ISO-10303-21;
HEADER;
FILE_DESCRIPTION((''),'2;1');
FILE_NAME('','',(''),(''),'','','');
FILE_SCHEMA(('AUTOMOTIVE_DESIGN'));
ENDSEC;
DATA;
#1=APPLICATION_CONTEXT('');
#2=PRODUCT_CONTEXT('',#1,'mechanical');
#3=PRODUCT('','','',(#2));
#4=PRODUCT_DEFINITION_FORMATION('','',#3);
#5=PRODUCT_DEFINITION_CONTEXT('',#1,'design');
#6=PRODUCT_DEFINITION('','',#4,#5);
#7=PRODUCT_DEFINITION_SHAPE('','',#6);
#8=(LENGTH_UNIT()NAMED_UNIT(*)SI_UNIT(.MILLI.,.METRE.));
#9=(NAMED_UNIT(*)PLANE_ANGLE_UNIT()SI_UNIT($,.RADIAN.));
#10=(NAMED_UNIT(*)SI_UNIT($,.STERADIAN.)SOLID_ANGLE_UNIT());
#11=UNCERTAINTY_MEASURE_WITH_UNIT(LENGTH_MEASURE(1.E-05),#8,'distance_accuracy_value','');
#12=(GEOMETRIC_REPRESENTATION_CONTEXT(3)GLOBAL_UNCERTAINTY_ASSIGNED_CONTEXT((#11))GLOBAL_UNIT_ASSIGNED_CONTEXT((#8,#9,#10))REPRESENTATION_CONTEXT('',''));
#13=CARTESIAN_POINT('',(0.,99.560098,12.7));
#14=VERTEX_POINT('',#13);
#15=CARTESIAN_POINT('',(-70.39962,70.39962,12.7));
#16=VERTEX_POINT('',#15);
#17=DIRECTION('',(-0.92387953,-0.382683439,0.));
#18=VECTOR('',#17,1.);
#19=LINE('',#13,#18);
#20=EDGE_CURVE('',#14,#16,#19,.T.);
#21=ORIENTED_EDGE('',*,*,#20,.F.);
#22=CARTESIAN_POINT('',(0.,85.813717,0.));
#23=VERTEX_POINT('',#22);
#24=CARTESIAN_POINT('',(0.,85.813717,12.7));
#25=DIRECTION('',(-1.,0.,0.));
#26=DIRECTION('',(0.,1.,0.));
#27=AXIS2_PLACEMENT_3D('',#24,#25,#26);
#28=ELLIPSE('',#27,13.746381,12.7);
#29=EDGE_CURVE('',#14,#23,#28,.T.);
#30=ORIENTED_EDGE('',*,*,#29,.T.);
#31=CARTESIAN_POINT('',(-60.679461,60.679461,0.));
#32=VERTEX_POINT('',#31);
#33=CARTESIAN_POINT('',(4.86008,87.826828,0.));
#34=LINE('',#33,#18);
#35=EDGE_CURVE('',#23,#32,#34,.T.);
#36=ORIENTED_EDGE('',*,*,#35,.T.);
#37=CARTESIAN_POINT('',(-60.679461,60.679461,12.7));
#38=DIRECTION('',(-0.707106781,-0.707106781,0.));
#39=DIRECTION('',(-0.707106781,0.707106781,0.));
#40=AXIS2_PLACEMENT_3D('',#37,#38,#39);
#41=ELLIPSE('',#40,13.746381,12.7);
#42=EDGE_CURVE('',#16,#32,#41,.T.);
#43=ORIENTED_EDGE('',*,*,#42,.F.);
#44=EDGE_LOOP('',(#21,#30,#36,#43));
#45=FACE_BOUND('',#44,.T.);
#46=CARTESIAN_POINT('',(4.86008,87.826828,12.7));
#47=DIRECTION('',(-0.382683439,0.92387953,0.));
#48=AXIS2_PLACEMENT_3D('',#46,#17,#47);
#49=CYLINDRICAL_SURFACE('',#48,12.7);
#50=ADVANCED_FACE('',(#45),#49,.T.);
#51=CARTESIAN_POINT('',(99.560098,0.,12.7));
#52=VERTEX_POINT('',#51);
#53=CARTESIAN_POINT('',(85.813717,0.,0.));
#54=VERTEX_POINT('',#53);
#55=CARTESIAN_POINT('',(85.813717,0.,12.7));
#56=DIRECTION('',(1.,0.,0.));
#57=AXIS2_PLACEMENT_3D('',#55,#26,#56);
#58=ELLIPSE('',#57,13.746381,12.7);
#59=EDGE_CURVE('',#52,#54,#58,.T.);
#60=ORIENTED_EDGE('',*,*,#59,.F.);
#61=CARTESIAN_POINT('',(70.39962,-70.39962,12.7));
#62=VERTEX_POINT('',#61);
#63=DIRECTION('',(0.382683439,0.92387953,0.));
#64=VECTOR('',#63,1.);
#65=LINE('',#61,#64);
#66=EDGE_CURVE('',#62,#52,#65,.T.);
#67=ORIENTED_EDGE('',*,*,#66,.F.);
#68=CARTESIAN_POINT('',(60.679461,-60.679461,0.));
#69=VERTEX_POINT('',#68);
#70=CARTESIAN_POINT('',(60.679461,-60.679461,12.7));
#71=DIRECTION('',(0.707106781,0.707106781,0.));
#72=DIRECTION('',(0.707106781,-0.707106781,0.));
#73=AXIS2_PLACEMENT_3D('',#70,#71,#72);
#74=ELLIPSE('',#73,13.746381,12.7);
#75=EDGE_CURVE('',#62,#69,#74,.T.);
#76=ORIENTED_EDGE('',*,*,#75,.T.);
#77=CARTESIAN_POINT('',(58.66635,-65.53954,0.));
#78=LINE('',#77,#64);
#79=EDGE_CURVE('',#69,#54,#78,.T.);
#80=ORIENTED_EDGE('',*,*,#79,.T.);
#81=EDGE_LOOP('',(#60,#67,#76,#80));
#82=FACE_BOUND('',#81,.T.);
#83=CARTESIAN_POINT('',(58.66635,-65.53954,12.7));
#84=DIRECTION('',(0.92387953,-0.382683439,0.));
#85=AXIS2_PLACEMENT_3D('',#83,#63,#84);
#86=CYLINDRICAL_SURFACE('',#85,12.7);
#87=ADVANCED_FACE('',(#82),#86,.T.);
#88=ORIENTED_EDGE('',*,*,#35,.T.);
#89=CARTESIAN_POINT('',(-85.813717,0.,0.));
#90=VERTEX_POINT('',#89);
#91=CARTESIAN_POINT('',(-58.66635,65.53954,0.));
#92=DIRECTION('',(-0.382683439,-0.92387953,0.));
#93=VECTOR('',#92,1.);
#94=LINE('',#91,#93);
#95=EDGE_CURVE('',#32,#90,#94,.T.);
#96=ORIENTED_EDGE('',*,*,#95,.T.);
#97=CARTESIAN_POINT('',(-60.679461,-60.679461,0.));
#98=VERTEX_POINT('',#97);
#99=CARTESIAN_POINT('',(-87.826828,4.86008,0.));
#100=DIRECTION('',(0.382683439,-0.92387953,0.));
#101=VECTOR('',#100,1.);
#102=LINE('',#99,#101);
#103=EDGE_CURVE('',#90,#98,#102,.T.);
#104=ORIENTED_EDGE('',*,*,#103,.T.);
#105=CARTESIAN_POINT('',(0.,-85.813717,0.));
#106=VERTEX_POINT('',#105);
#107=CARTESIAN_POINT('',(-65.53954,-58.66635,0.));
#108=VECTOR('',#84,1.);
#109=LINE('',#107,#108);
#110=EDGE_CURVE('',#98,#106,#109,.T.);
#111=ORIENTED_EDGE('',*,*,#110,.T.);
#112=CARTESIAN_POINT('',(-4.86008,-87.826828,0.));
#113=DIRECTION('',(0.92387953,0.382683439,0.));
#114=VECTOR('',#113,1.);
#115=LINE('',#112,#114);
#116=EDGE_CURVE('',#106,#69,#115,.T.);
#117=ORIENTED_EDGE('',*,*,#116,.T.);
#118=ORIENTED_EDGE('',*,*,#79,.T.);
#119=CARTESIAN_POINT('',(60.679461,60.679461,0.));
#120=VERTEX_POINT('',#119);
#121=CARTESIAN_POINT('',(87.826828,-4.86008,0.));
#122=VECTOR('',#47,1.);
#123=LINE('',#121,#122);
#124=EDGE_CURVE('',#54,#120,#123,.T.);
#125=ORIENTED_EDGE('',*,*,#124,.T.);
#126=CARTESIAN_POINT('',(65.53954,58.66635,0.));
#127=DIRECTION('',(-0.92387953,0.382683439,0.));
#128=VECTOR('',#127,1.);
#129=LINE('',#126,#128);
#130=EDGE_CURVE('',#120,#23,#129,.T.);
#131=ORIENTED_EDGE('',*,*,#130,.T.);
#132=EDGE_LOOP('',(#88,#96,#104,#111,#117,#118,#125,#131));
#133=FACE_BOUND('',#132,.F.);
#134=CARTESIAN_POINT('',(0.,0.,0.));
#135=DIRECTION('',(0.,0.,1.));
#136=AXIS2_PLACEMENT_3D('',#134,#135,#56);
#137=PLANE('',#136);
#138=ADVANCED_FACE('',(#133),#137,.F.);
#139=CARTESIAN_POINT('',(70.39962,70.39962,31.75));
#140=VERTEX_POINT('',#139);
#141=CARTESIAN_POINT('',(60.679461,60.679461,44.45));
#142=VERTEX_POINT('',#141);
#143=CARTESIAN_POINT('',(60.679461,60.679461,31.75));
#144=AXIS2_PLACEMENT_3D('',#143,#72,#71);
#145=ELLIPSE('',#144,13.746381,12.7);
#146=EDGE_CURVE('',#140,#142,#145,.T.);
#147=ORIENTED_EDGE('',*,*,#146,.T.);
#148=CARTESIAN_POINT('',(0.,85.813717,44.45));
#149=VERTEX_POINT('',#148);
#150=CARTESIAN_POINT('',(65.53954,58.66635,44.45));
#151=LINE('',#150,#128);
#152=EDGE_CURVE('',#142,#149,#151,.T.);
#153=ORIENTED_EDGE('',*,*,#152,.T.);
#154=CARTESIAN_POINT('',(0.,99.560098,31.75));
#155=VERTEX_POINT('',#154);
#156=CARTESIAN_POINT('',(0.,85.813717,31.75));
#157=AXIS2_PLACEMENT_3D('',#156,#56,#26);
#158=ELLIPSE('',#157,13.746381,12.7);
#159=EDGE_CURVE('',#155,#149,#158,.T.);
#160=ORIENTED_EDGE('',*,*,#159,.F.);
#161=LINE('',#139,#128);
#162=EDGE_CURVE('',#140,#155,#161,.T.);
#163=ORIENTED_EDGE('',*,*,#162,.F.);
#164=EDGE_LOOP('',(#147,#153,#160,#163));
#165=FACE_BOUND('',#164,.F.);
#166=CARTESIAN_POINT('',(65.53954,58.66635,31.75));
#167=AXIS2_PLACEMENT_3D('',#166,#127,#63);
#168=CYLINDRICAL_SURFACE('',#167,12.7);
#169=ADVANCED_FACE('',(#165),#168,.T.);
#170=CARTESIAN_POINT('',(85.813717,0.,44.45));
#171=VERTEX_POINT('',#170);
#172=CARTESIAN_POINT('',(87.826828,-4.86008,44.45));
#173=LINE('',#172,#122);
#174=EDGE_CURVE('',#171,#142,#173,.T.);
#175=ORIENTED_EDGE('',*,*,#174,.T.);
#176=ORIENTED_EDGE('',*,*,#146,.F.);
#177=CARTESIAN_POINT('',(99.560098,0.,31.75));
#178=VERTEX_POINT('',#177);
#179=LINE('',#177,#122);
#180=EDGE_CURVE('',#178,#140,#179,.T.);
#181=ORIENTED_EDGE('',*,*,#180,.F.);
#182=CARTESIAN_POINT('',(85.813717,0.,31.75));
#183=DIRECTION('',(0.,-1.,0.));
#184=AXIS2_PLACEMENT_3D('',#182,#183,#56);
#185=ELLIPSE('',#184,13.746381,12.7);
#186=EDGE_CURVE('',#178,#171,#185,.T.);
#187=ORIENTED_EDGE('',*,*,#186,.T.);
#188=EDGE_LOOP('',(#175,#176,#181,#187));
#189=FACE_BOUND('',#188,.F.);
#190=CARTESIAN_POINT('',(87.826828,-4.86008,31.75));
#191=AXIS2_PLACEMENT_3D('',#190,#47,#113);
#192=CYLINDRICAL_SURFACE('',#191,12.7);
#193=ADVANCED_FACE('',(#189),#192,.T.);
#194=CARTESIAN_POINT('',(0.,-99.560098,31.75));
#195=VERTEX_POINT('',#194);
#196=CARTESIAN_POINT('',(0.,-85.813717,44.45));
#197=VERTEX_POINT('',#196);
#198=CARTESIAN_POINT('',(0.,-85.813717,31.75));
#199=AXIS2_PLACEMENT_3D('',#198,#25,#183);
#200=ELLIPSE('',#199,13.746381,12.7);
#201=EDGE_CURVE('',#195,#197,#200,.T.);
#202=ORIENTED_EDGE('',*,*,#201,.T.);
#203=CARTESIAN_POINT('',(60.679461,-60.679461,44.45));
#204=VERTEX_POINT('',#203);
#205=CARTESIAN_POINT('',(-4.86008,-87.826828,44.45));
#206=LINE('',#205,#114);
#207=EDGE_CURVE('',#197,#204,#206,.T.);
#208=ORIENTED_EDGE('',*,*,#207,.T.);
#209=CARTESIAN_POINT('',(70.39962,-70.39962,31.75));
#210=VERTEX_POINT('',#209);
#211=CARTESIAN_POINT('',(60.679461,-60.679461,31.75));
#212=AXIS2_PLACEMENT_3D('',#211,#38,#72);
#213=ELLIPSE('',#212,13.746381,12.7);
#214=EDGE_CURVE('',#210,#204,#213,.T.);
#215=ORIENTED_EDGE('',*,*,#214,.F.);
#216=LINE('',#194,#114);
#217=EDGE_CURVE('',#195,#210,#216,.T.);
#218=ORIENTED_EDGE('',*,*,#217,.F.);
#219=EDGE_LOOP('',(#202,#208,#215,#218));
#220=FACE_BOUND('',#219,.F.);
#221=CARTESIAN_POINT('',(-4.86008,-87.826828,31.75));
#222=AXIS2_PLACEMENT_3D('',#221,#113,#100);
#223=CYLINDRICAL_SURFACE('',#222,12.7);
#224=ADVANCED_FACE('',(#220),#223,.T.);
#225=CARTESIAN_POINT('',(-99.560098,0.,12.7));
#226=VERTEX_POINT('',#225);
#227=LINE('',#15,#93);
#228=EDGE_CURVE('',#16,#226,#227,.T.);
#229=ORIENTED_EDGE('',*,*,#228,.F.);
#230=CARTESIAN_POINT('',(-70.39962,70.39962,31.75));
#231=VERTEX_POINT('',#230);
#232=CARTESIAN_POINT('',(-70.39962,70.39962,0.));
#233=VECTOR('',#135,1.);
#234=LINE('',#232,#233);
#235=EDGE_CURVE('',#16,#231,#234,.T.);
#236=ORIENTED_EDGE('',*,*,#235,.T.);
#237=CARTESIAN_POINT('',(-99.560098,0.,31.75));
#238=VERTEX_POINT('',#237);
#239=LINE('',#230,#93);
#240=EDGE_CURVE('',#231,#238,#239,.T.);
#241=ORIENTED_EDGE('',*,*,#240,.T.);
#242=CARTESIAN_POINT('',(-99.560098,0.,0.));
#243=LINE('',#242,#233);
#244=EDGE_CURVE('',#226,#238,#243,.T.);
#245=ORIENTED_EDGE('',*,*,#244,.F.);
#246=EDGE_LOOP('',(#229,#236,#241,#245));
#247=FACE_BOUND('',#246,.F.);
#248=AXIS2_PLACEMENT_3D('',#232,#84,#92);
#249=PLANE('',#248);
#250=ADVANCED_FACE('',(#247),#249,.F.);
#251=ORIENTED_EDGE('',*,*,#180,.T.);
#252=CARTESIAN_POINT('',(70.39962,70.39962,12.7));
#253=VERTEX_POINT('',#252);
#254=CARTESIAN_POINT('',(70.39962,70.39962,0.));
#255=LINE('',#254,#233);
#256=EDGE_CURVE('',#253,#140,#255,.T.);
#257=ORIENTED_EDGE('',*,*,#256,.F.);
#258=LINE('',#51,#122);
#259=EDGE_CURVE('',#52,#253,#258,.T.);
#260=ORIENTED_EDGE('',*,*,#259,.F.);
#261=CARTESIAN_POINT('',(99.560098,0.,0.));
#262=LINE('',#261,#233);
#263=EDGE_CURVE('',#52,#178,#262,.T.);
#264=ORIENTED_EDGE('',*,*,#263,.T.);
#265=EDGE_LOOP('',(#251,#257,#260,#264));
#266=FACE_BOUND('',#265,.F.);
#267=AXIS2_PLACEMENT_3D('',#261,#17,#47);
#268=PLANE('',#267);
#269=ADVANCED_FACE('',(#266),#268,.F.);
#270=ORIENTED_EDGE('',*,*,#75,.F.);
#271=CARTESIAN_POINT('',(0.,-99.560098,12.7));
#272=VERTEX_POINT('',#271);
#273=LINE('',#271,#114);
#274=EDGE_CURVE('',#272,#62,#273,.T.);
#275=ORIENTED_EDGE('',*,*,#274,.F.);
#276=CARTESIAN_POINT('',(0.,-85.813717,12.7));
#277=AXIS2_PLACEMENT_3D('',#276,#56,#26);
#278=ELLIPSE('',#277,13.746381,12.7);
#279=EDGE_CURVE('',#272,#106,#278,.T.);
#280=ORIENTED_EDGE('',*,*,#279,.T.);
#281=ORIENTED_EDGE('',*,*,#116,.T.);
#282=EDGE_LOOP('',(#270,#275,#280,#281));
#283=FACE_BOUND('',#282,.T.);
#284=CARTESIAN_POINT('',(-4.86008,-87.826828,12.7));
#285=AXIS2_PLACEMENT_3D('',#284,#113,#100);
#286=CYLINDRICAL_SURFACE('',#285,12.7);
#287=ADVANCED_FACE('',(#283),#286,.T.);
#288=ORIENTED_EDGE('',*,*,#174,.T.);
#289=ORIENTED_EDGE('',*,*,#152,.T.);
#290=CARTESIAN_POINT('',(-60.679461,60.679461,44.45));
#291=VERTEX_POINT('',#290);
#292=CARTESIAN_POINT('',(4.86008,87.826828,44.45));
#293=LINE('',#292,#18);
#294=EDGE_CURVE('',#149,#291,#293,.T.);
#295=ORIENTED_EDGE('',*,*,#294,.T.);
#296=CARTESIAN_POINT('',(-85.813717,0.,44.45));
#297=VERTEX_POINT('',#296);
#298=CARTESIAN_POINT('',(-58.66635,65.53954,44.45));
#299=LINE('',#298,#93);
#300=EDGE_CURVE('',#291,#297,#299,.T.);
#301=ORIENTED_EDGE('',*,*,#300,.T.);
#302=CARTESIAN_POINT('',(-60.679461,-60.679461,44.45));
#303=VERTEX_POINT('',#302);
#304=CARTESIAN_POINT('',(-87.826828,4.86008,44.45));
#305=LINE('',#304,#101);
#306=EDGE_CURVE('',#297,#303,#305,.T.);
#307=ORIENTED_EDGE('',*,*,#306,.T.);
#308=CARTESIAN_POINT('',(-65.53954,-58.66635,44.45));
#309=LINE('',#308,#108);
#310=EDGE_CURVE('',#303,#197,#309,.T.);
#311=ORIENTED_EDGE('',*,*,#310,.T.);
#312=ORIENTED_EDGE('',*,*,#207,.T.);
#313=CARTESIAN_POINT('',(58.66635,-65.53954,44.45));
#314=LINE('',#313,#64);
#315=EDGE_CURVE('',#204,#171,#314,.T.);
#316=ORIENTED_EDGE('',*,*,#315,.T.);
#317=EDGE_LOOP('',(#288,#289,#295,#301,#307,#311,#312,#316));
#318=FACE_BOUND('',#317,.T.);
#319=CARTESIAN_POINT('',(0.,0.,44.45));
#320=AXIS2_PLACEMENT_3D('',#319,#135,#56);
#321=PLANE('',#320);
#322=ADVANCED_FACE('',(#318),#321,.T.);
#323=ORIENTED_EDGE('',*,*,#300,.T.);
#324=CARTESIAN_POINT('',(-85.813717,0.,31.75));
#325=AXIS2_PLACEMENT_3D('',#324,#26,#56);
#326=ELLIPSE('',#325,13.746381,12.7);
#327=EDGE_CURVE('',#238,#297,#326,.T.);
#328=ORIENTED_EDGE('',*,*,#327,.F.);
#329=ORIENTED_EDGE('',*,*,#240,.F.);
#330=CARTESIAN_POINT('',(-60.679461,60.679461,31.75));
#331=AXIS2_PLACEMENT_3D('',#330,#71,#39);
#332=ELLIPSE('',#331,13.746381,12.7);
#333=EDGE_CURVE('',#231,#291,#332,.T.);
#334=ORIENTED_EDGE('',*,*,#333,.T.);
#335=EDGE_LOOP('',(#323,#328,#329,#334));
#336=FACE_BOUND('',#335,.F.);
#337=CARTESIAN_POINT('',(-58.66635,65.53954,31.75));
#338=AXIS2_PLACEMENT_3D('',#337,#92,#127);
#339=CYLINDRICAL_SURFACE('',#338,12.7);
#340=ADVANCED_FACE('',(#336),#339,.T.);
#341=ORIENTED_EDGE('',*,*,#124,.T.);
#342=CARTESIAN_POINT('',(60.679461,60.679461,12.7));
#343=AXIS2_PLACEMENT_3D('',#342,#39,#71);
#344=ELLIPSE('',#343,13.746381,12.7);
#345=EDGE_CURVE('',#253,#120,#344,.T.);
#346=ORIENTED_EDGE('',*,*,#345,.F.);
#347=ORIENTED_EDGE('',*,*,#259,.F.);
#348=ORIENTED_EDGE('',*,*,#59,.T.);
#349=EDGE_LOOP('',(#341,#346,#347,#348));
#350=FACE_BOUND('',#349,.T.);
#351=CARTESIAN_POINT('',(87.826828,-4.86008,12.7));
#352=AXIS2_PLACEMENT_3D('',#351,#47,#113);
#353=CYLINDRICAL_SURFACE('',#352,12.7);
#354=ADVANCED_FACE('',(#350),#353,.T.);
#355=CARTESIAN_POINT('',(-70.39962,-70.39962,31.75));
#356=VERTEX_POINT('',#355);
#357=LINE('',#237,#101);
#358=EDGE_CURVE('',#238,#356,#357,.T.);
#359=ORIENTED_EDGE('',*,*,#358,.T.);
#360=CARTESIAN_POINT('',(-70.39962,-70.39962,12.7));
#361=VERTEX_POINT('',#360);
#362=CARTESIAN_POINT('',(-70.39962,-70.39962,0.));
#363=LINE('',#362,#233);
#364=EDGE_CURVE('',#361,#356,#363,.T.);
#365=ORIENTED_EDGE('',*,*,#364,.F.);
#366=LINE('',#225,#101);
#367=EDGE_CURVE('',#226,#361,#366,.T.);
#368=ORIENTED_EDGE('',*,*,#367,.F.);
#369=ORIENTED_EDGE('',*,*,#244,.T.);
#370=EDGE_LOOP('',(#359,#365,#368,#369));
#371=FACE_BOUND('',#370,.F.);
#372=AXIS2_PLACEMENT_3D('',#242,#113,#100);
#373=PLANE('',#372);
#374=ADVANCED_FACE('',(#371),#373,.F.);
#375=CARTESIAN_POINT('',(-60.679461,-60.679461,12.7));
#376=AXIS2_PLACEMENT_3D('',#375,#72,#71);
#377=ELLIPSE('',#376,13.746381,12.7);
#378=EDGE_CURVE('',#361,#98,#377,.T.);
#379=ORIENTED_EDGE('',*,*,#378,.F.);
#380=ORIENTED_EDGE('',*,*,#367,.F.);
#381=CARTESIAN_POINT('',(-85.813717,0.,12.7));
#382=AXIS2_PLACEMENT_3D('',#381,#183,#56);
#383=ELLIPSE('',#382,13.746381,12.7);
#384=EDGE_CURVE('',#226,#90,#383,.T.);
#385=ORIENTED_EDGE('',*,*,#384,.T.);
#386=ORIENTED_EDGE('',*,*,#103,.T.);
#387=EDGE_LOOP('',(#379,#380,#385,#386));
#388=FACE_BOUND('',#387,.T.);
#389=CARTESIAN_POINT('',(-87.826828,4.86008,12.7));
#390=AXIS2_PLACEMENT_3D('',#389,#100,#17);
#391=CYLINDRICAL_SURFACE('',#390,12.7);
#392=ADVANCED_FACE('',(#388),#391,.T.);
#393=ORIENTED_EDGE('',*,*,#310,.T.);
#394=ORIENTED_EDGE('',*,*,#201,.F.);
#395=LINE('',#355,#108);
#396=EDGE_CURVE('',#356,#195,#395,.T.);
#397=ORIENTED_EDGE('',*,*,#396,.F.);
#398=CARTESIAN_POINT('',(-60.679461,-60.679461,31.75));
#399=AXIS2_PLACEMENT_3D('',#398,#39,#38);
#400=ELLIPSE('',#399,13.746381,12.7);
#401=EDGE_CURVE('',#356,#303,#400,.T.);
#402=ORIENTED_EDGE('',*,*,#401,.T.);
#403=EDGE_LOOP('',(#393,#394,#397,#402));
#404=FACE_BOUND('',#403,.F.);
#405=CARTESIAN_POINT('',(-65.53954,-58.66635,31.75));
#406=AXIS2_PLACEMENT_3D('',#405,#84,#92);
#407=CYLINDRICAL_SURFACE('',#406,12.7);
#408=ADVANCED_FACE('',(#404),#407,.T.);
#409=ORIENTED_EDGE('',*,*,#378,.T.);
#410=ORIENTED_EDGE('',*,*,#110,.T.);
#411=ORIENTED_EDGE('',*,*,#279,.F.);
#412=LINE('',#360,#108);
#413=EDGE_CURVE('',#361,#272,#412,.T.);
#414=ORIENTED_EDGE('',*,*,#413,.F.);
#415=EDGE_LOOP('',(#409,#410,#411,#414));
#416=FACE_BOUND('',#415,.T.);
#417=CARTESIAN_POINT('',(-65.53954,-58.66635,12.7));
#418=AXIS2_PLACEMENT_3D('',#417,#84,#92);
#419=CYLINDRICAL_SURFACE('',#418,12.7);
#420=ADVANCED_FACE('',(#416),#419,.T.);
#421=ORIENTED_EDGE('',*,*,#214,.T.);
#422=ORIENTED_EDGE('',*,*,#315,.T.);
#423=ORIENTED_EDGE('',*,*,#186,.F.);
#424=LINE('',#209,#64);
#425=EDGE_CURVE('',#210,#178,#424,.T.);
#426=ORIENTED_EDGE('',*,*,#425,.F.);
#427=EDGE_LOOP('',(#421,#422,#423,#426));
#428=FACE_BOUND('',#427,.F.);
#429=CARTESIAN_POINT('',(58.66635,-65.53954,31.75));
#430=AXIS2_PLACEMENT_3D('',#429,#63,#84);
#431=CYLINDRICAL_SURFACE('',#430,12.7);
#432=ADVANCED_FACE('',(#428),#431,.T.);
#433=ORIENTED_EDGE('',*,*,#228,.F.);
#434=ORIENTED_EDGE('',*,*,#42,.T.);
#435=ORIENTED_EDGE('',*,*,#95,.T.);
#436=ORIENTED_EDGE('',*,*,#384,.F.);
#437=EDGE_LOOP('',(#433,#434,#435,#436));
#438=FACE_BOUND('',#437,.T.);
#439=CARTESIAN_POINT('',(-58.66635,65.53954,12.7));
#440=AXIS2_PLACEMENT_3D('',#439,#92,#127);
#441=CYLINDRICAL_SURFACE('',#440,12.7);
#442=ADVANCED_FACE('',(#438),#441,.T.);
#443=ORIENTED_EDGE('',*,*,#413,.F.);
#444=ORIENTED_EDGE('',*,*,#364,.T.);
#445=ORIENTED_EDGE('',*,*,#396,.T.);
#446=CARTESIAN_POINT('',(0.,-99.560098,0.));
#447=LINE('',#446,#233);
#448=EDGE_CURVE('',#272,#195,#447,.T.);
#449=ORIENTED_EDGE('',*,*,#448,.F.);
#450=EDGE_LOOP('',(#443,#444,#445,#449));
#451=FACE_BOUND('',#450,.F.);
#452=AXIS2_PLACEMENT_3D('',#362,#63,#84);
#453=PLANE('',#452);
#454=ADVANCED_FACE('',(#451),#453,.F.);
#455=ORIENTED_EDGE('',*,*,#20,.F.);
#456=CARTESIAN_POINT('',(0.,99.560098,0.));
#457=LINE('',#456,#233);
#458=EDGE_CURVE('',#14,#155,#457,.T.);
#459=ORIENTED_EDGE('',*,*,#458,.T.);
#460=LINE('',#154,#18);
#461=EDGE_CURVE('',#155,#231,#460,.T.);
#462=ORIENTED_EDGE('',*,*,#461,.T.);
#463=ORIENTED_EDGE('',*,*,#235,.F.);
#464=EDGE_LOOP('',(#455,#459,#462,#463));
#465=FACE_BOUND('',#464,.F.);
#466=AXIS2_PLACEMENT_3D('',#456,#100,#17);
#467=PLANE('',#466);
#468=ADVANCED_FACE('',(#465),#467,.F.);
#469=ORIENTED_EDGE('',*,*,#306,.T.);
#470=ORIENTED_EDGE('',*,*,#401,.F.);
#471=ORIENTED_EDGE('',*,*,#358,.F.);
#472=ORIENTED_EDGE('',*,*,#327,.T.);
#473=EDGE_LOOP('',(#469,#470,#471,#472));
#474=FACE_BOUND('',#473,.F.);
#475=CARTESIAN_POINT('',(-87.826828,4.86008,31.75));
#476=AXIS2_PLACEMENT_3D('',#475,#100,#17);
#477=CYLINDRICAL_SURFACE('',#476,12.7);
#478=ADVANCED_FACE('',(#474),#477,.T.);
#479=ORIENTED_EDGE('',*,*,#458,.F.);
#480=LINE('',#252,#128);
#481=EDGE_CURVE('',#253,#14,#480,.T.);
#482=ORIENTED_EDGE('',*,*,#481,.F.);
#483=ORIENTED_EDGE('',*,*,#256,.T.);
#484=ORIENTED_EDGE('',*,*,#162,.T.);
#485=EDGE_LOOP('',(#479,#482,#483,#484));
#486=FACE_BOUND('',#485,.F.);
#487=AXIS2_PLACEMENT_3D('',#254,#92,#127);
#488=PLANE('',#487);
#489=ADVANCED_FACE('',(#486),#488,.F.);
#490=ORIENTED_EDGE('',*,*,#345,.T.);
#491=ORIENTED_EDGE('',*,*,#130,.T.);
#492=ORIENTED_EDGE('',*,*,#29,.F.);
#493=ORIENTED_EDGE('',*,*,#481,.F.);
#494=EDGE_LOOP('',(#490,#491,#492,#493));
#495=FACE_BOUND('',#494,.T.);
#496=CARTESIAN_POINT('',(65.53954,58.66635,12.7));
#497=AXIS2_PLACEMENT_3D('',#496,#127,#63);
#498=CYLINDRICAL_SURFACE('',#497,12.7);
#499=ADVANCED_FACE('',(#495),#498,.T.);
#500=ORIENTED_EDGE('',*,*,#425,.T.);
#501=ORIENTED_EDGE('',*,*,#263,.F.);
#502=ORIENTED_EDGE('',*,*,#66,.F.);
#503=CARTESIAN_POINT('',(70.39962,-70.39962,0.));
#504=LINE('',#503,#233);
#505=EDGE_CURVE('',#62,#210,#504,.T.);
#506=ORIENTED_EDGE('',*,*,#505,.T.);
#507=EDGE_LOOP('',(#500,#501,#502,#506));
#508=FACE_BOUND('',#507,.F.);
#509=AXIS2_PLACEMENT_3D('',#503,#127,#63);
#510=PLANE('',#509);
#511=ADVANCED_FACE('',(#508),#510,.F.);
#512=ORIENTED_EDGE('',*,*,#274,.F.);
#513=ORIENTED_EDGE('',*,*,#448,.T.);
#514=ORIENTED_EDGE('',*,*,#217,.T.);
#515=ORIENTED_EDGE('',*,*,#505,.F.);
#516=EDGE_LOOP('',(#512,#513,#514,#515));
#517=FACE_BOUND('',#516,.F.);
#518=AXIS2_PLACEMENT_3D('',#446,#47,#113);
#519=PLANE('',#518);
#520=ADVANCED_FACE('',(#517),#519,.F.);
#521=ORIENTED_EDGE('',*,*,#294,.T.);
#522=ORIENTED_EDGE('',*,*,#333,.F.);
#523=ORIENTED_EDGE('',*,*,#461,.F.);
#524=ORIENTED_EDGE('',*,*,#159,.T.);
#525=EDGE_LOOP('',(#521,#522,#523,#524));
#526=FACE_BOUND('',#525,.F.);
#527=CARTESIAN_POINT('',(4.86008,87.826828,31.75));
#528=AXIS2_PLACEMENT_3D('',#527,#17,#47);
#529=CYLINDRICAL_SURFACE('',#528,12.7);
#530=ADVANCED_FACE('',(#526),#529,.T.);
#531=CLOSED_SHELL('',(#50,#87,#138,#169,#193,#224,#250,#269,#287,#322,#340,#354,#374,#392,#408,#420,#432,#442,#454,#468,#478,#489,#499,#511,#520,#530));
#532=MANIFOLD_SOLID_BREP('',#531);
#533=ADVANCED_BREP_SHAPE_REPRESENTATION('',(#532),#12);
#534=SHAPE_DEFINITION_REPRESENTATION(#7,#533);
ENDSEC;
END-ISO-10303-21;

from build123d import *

# Parameters (mm, degrees)
F1_DEPTH = 44.45
F2_R     = 12.7


with BuildPart() as f1:
    # F0 (on Top) → F1 (new body)
    with BuildSketch(Plane.XY):
        Polygon((70.39962, -70.39962), (99.560098, 0), (70.39962, 70.39962), (0, 99.560098), (-70.39962, 70.39962), (-99.560098, 0), (-70.39962, -70.39962), (0, -99.560098), align=None)
    extrude(amount=F1_DEPTH)

    # F2
    f2_edges = [f1.edges().sort_by_distance(p)[0] for p in [
        (-84.979859, -35.19981, 44.45),
        (-35.19981, -84.979859, 44.45),
        (35.19981, -84.979859, 44.45),
        (84.979859, -35.19981, 44.45),
        (84.979859, 35.19981, 44.45),
        (35.19981, 84.979859, 44.45),
        (-35.19981, 84.979859, 44.45),
        (-84.979859, 35.19981, 44.45),
        (35.19981, -84.979859, 0),
        (-35.19981, -84.979859, 0),
        (84.979859, -35.19981, 0),
        (84.979859, 35.19981, 0),
        (-84.979859, -35.19981, 0),
        (35.19981, 84.979859, 0),
        (-35.19981, 84.979859, 0),
        (-84.979859, 35.19981, 0),
    ]]
    fillet(f2_edges, radius=F2_R)


solid = f1.part
